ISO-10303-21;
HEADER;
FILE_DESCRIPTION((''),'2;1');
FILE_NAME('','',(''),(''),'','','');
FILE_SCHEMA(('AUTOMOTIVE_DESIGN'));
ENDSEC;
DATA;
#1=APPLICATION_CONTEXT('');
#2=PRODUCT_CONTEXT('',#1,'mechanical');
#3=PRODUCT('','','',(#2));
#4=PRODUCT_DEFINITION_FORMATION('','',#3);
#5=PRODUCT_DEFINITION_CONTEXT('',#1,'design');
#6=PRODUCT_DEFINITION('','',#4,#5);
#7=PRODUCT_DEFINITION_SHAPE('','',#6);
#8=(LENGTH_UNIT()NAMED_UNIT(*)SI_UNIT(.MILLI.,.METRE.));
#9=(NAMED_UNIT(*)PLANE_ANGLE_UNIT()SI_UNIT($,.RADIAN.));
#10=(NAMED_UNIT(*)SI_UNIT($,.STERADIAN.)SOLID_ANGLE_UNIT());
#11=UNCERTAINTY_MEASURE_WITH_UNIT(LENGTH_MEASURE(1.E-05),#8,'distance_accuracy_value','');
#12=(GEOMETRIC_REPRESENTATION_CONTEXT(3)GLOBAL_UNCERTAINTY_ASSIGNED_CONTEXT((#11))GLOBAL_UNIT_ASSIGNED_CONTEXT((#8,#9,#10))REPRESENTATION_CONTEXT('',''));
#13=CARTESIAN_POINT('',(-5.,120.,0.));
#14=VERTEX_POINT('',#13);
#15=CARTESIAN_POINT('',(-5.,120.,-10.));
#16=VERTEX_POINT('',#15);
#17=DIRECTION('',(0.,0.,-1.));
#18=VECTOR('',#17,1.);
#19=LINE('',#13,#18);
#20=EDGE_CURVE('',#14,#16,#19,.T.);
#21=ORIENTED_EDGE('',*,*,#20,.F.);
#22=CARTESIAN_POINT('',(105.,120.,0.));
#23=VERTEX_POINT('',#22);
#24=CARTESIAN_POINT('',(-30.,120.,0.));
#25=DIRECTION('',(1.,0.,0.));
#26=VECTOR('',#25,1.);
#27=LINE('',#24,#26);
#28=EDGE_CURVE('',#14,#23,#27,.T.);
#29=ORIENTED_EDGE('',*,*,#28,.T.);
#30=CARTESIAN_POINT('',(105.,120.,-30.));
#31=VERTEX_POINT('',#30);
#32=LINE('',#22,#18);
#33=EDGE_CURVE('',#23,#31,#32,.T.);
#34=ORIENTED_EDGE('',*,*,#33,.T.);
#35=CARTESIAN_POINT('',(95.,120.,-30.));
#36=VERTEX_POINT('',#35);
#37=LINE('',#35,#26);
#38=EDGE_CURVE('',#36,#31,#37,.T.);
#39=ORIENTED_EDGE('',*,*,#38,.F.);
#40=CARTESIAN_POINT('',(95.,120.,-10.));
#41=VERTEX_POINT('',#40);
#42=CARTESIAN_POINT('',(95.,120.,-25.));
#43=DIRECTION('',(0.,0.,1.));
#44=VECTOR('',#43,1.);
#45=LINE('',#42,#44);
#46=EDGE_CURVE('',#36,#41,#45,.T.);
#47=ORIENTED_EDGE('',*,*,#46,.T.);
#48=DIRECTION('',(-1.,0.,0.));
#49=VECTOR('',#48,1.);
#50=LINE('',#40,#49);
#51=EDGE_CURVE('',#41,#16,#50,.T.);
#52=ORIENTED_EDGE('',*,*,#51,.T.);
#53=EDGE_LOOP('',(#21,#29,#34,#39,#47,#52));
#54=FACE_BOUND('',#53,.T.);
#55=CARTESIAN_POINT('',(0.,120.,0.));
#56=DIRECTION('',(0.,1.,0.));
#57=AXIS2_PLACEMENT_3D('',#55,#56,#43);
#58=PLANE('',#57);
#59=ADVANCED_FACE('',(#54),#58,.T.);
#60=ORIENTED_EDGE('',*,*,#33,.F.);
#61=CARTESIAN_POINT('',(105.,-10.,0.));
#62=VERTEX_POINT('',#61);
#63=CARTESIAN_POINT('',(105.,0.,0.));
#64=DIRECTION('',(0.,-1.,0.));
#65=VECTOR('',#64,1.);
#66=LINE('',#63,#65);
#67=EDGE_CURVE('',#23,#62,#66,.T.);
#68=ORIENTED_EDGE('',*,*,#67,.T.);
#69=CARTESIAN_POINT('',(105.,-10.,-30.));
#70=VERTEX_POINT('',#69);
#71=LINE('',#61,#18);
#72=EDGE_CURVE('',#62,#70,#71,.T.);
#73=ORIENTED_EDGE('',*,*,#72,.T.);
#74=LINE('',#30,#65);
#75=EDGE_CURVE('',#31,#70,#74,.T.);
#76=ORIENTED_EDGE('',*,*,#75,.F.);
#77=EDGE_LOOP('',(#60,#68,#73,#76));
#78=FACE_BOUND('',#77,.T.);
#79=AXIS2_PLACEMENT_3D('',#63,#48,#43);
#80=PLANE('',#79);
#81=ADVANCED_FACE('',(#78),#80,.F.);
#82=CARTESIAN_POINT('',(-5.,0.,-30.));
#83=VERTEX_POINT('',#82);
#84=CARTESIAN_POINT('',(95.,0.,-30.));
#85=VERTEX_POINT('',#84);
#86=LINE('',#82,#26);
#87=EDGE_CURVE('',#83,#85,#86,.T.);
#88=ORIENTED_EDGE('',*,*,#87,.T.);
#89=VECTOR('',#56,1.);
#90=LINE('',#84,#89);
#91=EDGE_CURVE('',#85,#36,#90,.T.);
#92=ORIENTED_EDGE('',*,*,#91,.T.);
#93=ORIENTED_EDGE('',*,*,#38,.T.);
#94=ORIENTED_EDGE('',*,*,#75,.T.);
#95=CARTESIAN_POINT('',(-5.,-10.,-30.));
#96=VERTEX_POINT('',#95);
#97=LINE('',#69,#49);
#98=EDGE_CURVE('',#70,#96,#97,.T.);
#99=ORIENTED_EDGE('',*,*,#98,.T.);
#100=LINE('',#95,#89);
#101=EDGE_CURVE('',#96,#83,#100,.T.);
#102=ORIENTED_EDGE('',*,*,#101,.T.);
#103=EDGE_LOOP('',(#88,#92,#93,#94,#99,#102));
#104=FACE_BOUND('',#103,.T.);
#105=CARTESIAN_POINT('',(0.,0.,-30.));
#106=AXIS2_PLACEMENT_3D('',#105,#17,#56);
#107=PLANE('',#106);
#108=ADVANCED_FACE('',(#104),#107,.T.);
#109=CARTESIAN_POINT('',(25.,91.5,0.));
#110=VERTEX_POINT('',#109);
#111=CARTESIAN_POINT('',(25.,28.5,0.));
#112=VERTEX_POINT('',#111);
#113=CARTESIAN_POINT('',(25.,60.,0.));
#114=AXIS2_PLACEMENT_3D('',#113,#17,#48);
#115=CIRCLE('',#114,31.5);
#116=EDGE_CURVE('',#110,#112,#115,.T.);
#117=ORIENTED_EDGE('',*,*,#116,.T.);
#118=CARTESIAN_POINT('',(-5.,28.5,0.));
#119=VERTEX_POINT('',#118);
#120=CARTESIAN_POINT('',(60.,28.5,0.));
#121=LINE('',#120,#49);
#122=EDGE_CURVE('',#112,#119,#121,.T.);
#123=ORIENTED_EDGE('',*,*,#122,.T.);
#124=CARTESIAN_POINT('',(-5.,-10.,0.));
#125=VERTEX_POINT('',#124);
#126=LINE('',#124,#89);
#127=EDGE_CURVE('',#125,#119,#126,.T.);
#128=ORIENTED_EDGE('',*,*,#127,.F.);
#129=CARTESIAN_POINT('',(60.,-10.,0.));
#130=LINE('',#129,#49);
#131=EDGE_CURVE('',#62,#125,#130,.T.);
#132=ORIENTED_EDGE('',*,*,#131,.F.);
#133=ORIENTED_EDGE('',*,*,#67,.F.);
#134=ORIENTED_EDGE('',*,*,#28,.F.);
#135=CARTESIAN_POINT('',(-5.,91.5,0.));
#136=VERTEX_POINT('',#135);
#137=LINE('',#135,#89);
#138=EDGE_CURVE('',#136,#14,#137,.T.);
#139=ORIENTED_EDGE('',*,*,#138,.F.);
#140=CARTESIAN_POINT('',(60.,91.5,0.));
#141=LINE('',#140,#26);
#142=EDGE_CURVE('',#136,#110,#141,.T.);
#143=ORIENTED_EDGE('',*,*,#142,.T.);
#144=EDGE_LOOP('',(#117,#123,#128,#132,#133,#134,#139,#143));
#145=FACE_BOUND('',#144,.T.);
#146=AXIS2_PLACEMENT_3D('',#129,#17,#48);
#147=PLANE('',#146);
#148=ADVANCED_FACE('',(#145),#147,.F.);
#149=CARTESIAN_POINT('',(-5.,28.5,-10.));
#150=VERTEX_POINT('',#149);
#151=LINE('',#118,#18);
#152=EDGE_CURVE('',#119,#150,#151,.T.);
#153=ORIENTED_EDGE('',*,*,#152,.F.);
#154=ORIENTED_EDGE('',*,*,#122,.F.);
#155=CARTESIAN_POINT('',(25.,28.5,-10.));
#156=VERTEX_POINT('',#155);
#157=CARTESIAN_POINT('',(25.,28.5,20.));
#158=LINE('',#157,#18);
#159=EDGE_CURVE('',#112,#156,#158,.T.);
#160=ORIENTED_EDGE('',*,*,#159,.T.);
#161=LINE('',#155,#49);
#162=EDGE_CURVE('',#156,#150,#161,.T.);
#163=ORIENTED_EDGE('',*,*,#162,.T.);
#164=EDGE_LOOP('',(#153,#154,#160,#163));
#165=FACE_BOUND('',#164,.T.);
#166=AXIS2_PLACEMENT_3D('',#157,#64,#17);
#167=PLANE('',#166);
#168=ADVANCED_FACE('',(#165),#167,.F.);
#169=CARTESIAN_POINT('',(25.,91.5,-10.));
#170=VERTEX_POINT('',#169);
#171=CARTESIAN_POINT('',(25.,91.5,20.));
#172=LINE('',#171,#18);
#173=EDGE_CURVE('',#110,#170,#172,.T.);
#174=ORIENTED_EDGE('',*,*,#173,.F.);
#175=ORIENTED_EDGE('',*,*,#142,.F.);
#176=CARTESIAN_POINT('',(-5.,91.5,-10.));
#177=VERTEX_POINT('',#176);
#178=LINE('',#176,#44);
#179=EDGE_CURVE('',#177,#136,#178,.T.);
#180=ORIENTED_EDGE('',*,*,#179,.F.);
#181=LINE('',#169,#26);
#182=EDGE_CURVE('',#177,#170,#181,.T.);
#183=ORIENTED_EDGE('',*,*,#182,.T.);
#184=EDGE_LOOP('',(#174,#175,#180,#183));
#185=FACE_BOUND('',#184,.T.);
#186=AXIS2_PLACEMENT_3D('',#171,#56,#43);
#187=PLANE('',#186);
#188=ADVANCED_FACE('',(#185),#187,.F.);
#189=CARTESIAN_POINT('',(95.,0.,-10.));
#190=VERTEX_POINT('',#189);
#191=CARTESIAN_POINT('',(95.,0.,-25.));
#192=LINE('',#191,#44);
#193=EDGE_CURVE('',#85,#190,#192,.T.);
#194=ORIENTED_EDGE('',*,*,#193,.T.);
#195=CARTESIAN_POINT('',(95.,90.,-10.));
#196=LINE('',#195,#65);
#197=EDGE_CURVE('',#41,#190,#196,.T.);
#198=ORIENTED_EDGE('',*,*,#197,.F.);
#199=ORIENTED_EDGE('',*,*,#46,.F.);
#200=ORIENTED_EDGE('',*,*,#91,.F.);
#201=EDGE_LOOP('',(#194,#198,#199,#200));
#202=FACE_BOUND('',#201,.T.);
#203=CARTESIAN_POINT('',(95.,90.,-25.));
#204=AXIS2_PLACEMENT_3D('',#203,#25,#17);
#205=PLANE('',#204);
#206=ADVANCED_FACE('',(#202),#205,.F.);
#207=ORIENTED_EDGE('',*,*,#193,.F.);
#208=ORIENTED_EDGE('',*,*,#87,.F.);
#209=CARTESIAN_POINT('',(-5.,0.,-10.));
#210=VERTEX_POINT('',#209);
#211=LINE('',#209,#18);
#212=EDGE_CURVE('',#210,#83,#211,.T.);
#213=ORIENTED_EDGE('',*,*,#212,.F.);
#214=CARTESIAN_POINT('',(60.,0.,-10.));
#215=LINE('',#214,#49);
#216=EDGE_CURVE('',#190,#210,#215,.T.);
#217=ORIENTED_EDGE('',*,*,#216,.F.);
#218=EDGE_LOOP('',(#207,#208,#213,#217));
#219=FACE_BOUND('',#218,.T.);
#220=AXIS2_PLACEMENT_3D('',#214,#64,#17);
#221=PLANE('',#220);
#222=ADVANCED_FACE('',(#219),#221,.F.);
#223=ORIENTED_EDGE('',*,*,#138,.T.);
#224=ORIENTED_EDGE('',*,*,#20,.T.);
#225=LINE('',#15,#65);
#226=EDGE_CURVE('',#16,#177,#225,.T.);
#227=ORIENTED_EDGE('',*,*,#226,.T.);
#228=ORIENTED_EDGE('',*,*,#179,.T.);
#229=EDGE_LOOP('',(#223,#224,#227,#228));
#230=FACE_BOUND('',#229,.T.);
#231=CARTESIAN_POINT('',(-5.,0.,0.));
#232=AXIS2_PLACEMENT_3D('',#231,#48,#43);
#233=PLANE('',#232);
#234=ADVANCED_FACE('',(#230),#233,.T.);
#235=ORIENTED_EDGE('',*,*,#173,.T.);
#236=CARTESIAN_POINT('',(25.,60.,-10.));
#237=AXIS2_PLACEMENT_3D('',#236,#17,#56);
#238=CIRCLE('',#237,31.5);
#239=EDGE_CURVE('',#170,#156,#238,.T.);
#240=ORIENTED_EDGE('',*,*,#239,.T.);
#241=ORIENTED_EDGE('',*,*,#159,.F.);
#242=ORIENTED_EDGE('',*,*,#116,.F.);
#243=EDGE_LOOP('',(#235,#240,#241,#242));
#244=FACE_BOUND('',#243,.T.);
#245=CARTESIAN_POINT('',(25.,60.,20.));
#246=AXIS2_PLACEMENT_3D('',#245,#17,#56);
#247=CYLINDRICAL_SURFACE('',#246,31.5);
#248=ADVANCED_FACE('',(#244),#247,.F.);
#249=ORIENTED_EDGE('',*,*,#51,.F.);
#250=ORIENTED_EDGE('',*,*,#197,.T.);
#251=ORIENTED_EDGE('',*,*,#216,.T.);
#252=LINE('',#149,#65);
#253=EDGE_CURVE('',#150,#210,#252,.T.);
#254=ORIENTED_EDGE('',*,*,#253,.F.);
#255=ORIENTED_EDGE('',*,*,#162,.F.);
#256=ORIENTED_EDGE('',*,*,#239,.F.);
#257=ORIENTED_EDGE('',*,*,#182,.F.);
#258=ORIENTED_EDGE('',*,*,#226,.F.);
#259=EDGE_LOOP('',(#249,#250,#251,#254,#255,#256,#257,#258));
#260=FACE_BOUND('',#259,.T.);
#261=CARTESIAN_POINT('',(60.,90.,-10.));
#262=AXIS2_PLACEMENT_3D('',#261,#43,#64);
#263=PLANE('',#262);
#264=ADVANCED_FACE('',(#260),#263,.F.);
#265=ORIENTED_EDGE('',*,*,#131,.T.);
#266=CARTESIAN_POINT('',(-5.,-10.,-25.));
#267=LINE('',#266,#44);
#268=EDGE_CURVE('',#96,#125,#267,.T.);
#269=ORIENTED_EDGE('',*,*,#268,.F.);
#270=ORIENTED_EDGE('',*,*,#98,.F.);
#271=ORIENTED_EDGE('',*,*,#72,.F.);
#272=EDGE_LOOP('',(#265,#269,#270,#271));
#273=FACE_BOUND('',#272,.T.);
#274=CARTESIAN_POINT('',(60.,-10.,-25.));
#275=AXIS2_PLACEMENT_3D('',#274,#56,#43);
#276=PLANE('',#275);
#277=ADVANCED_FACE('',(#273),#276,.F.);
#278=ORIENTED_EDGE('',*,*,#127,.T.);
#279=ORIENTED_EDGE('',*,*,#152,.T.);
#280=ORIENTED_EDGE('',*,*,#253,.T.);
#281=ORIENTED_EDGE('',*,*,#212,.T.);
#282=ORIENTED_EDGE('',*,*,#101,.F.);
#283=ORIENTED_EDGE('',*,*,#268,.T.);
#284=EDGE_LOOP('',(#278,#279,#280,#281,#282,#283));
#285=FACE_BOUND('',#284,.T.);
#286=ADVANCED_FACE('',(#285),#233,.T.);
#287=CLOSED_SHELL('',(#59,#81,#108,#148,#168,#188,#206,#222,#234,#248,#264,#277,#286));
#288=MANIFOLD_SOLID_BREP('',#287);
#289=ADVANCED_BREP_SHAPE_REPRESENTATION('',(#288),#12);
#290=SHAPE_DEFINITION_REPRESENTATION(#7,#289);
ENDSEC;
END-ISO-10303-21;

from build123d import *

# Parameters (mm, degrees)
BOSS_EXTRUDE1_DEPTH = 60
SKETCH4_W           = 10
SKETCH4_H           = 90
BOSS_EXTRUDE2_DEPTH = 45
SKETCH6_W           = 25
SKETCH6_H           = 10
BOSS_EXTRUDE3_DEPTH = 45
SKETCH8_W           = 10
SKETCH8_H           = 15
BOSS_EXTRUDE4_DEPTH = 90
BOSS_EXTRUDE5_DEPTH = 30
BOSS_EXTRUDE6_DEPTH = 30
CUT_EXTRUDE1_DEPTH  = 30
CUT_EXTRUDE2_DEPTH  = 25
SKETCH14_W          = 10
SKETCH14_H          = 28.5
CUT_EXTRUDE3_DEPTH  = 25
BOSS_EXTRUDE7_DEPTH = 5


with BuildPart() as part:
    # Sketch1 → Boss-Extrude1 (new body)
    with BuildSketch(Plane(origin=(0, 0, 0), x_dir=(0, 0, -1), z_dir=(1, 0, 0))):
        Polygon((0, -10), (0, 90), (10, 90), (10, 0), (25, 0), (25, -10), align=None)
    extrude(amount=BOSS_EXTRUDE1_DEPTH)

    # Sketch4 → Boss-Extrude2 (add)
    with BuildSketch(Plane(origin=(60, 0, 0), x_dir=(0, 0, -1), z_dir=(1, 0, 0))):
        with Locations((5, 45)):
            Rectangle(SKETCH4_W, SKETCH4_H)
    extrude(amount=BOSS_EXTRUDE2_DEPTH)

    # Sketch6 → Boss-Extrude3 (add)
    with BuildSketch(Plane(origin=(60, 0, 0), x_dir=(0, 0, -1), z_dir=(1, 0, 0))):
        with Locations((12.5, -5)):
            Rectangle(SKETCH6_W, SKETCH6_H)
    extrude(amount=BOSS_EXTRUDE3_DEPTH)

    # Sketch8 → Boss-Extrude4 (add)
    with BuildSketch(Plane(origin=(0, 0, 0), x_dir=(1, 0, 0), z_dir=(0, 1, 0))):
        with Locations((100, 17.5)):
            Rectangle(SKETCH8_W, SKETCH8_H)
    extrude(amount=BOSS_EXTRUDE4_DEPTH)

    # Sketch10 → Boss-Extrude5 (add)
    with BuildSketch(Plane.ZY):
        Polygon((0, -10), (0, 90), (-10, 90), (-10, 0), (-25, 0), (-25, -10), align=None)
    extrude(amount=BOSS_EXTRUDE5_DEPTH)

    # Sketch11 → Boss-Extrude6 (add)
    with BuildSketch(Plane(origin=(0, 90, 0), x_dir=(1, 0, 0), z_dir=(0, 1, 0))):
        Polygon((-30, 10), (-30, 0), (105, 0), (105, 25), (95, 25), (95, 10), align=None)
    extrude(amount=BOSS_EXTRUDE6_DEPTH)

    # Sketch12 → Cut-Extrude1 (cut)
    with BuildSketch(Plane(origin=(0, 0, -10), x_dir=(-1, 0, 0), z_dir=(0, 0, -1))):
        with BuildLine():
            Line((-25, 91.5), (30, 91.5))
            Line((30, 91.5), (30, 28.5))
            Line((30, 28.5), (-25, 28.5))
            ThreePointArc((-25, 28.5), (-56.5, 60), (-25, 91.5))
        make_face()
    extrude(amount=-CUT_EXTRUDE1_DEPTH, mode=Mode.SUBTRACT)

    # Sketch13 → Cut-Extrude2 (cut)
    with BuildSketch(Plane.ZY.offset(30)):
        Polygon((0, 28.5), (-10, 28.5), (-10, 0), (-25, 0), (-25, -10), (0, -10), align=None)
    extrude(amount=-CUT_EXTRUDE2_DEPTH, mode=Mode.SUBTRACT)

    # Sketch14 → Cut-Extrude3 (cut)
    with BuildSketch(Plane.ZY.offset(30)):
        with Locations((-5, 105.75)):
            Rectangle(SKETCH14_W, SKETCH14_H)
    extrude(amount=-CUT_EXTRUDE3_DEPTH, mode=Mode.SUBTRACT)

    # Sketch15 → Boss-Extrude7 (add)
    with BuildSketch(Plane(origin=(0, 0, -25), x_dir=(-1, 0, 0), z_dir=(0, 0, -1))):
        Polygon((5, -10), (5, 0), (-95, 0), (-95, 120), (-105, 120), (-105, -10), align=None)
    extrude(amount=BOSS_EXTRUDE7_DEPTH)


solid = part.part
